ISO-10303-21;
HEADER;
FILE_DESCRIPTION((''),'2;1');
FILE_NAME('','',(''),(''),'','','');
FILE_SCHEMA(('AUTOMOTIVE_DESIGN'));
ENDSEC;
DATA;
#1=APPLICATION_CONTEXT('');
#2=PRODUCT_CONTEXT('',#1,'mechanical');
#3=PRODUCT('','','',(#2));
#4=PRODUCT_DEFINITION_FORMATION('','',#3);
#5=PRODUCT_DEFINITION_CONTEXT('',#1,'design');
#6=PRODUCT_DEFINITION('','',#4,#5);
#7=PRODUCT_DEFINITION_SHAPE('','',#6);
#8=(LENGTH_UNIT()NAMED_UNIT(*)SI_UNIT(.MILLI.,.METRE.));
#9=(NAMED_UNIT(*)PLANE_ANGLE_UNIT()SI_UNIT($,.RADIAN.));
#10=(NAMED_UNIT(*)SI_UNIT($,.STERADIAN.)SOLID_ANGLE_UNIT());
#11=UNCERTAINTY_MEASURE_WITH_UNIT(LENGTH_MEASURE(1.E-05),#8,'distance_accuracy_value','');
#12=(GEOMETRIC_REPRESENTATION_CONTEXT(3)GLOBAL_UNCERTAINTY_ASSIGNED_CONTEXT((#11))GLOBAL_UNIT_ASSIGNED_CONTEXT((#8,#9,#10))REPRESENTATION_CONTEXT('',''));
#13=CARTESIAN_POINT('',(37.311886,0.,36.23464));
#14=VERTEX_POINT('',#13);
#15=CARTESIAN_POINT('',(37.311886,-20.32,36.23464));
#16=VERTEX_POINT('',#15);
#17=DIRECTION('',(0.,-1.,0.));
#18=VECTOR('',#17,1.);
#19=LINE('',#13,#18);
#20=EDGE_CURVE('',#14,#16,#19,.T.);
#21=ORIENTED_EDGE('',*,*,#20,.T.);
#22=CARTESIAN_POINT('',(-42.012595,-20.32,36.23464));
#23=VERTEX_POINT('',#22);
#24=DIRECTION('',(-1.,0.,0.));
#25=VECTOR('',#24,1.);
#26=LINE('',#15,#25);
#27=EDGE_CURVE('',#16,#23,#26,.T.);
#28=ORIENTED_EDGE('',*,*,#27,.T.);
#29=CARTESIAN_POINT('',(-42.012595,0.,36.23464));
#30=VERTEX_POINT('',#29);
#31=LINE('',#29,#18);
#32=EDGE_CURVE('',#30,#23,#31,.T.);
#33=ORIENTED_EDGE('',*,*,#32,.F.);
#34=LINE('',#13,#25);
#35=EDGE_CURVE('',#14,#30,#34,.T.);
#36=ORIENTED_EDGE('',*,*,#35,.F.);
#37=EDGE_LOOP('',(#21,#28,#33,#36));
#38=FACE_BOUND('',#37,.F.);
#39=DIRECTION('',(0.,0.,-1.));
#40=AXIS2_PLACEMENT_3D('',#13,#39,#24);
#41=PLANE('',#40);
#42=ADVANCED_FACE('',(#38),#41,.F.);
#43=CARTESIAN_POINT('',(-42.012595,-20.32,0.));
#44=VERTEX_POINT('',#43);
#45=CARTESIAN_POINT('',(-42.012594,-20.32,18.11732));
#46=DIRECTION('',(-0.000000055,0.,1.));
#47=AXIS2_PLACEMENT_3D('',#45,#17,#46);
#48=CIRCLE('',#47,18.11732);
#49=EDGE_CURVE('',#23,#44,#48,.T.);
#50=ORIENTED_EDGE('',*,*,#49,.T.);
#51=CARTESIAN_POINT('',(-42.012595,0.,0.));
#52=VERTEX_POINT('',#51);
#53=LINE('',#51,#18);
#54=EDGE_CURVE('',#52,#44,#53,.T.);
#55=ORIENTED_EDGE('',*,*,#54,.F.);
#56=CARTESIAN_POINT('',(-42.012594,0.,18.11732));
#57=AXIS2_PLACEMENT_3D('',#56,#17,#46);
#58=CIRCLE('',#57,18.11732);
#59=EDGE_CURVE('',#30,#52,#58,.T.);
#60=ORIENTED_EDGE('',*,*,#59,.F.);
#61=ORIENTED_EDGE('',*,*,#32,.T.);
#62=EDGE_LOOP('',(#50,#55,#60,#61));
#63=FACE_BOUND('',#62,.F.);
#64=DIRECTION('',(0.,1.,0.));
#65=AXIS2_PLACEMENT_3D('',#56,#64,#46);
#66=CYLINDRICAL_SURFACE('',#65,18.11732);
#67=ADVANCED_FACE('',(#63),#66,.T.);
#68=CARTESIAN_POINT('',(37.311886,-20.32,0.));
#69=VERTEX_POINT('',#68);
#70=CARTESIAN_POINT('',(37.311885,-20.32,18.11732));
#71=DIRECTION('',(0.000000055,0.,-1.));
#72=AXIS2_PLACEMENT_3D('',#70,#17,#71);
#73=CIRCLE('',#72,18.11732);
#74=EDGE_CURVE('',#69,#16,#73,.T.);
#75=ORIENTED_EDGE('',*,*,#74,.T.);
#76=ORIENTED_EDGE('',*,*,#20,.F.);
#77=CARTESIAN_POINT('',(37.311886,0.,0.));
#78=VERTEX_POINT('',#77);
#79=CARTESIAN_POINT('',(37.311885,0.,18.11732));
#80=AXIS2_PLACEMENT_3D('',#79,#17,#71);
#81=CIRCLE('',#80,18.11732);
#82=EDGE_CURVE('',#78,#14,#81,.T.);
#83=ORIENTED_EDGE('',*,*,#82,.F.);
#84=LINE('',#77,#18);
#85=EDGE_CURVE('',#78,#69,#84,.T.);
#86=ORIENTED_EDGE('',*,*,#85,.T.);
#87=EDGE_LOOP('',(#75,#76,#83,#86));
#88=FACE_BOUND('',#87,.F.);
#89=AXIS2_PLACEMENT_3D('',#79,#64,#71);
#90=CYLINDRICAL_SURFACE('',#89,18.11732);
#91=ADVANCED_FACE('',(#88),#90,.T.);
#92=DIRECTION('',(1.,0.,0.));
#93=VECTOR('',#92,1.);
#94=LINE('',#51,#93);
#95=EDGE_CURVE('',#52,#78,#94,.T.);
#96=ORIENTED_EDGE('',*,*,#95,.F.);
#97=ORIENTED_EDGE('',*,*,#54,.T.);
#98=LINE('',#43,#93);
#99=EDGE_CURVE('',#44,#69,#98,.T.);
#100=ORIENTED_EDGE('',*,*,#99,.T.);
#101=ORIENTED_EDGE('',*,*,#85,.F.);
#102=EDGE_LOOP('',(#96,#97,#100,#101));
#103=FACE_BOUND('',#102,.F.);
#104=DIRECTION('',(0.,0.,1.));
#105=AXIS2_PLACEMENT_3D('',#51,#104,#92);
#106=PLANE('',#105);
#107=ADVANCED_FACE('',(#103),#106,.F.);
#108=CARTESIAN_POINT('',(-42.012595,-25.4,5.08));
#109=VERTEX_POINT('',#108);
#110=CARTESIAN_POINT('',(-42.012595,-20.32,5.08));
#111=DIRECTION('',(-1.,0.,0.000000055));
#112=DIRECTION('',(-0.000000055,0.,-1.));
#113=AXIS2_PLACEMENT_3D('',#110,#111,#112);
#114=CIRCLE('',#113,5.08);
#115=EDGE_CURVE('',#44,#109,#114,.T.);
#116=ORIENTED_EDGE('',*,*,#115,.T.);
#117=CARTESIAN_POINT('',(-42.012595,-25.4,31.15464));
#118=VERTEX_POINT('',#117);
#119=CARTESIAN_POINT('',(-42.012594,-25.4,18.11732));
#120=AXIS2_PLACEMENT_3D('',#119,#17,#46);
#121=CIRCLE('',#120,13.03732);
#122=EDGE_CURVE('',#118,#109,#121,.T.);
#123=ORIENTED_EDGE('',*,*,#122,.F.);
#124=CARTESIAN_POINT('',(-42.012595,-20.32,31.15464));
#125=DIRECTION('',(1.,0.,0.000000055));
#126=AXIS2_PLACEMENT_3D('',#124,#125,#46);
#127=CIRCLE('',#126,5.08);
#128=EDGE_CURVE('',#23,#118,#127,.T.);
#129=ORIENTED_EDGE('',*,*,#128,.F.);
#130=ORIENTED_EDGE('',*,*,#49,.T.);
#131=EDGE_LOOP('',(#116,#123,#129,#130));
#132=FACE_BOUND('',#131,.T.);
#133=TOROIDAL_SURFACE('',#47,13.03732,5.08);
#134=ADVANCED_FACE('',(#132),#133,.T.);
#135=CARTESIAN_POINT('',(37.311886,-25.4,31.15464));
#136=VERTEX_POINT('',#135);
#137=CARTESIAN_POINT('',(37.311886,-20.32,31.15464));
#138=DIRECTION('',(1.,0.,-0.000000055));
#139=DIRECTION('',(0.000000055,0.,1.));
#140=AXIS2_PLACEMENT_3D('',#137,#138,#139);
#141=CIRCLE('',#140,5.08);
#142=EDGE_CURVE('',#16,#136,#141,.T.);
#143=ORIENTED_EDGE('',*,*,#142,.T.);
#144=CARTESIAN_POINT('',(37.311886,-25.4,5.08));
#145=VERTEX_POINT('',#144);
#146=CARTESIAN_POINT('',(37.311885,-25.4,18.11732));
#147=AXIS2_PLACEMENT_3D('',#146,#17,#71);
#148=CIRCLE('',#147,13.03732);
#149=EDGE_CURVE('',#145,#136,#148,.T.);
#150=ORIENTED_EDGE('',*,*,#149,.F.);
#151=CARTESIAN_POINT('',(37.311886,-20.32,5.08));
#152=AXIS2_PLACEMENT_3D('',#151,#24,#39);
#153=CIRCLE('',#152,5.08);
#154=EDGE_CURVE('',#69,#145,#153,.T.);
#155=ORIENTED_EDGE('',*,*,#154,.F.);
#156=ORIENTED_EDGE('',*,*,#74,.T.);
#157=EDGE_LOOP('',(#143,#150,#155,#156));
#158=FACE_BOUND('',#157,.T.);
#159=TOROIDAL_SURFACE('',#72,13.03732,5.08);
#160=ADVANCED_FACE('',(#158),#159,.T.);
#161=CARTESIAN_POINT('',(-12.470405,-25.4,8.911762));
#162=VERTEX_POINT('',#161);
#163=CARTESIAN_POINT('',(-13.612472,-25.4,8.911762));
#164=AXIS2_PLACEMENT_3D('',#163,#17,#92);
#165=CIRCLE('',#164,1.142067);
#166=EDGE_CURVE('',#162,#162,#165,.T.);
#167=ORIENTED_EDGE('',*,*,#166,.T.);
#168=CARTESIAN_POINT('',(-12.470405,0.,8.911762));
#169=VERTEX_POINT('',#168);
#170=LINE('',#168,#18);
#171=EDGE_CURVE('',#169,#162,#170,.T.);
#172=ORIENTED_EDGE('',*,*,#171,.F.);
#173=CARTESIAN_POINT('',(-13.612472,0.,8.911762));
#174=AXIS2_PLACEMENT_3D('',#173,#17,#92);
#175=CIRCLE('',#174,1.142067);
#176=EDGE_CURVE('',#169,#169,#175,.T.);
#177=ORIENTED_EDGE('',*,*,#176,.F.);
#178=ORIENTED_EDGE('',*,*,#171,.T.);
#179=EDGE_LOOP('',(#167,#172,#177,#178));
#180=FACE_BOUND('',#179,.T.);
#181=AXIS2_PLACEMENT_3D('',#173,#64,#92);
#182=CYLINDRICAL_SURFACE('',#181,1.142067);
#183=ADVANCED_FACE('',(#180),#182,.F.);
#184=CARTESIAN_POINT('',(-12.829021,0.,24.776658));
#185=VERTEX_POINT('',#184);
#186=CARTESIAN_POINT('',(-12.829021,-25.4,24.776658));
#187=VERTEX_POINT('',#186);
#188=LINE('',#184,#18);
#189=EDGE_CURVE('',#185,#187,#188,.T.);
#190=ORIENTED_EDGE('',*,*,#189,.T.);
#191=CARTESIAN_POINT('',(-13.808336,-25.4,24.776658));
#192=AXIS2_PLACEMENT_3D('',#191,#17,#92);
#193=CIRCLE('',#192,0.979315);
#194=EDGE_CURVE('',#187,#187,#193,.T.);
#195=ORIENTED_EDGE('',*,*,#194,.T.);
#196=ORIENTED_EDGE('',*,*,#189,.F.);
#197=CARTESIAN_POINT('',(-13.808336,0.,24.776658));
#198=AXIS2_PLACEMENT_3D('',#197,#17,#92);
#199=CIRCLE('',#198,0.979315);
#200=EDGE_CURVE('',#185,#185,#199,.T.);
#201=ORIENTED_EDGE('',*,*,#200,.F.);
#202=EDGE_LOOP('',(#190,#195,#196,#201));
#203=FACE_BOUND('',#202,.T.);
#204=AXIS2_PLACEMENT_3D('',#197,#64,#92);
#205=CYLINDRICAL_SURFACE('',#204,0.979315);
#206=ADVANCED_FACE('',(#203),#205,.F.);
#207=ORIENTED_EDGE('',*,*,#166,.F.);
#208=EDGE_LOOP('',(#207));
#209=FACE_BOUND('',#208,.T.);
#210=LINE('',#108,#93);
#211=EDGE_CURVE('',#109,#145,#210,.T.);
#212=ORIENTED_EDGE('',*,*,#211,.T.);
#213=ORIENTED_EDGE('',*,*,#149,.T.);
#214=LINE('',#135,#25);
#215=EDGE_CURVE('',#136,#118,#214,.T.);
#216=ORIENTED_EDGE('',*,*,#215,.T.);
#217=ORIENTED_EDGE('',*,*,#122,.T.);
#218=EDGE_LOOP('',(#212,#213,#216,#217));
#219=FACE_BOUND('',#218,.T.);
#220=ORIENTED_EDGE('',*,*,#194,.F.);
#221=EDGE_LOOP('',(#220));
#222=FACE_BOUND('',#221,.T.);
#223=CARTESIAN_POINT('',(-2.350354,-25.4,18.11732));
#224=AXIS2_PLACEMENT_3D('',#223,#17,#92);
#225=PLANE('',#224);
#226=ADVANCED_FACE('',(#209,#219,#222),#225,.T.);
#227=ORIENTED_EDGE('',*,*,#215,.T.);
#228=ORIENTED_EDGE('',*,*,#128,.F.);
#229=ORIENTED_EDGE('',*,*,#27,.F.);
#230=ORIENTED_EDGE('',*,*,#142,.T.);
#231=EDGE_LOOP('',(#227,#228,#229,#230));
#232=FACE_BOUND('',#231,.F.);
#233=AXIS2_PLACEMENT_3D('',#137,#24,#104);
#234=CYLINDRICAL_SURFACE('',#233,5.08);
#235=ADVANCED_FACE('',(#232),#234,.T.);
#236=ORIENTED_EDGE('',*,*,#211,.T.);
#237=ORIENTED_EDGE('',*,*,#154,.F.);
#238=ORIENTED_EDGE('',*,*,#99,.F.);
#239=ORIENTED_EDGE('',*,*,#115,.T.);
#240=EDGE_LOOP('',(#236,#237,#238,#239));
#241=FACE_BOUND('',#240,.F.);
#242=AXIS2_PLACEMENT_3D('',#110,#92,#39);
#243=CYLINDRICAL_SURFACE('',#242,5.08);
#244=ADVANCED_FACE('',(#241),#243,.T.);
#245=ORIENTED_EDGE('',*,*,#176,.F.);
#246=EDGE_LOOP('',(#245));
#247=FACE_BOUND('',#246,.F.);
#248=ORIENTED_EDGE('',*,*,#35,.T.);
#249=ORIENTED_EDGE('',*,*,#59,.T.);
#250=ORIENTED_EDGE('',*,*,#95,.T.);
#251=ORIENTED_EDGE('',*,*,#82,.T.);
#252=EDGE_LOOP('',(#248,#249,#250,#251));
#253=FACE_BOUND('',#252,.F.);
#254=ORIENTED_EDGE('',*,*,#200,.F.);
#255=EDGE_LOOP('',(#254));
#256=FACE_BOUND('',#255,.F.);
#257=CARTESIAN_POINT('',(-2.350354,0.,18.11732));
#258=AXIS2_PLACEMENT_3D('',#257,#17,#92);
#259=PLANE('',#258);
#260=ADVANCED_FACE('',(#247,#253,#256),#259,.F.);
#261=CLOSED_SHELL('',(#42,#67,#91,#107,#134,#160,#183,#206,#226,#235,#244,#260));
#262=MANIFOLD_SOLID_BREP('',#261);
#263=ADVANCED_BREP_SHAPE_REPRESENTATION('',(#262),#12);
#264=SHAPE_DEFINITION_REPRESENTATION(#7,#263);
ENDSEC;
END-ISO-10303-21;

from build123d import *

# Parameters (mm, degrees)
F0_R     = 1.142067
F0_R_2   = 12.345582
F0_R_3   = 0.979315
F0_R_4   = 12.168057
F1_DEPTH = 25.4
F2_R     = 5.08


with BuildPart() as f1:
    # F0 (on Front) → F1 (new body)
    with BuildSketch(Plane.XZ):
        with BuildLine():
            Line((37.311886, 36.23464), (-42.012595, 36.23464))
            ThreePointArc((-42.012595, 36.23464), (-60.129914, 18.11732), (-42.012595, 0))
            Line((-42.012595, 0), (37.311886, 0))
            ThreePointArc((37.311886, 0), (55.429205, 18.11732), (37.311886, 36.23464))
        make_face()
        with Locations((-13.612472, 8.911762)):
            Circle(F0_R, mode=Mode.SUBTRACT)
        with Locations((8.128311, 17.333869)):
            Circle(F0_R_2, mode=Mode.SUBTRACT)
        with Locations((-13.808336, 24.776658)):
            Circle(F0_R_3, mode=Mode.SUBTRACT)
        with Locations((37.311886, 18.11732)):
            Circle(F0_R_4, mode=Mode.SUBTRACT)
        with Locations((8.128311, 17.333869)):
            Circle(F0_R_2)
        with Locations((37.311886, 18.11732)):
            Circle(F0_R_4)
    extrude(amount=F1_DEPTH)

    # F2
    f2_edges = [f1.edges().sort_by_distance(p)[0] for p in [
        (-60.129914, -25.4, 18.11732),
        (-2.350355, -25.4, 36.23464),
        (-2.350355, -25.4, 0),
        (55.429205, -25.4, 18.11732),
    ]]
    fillet(f2_edges, radius=F2_R)


solid = f1.part
